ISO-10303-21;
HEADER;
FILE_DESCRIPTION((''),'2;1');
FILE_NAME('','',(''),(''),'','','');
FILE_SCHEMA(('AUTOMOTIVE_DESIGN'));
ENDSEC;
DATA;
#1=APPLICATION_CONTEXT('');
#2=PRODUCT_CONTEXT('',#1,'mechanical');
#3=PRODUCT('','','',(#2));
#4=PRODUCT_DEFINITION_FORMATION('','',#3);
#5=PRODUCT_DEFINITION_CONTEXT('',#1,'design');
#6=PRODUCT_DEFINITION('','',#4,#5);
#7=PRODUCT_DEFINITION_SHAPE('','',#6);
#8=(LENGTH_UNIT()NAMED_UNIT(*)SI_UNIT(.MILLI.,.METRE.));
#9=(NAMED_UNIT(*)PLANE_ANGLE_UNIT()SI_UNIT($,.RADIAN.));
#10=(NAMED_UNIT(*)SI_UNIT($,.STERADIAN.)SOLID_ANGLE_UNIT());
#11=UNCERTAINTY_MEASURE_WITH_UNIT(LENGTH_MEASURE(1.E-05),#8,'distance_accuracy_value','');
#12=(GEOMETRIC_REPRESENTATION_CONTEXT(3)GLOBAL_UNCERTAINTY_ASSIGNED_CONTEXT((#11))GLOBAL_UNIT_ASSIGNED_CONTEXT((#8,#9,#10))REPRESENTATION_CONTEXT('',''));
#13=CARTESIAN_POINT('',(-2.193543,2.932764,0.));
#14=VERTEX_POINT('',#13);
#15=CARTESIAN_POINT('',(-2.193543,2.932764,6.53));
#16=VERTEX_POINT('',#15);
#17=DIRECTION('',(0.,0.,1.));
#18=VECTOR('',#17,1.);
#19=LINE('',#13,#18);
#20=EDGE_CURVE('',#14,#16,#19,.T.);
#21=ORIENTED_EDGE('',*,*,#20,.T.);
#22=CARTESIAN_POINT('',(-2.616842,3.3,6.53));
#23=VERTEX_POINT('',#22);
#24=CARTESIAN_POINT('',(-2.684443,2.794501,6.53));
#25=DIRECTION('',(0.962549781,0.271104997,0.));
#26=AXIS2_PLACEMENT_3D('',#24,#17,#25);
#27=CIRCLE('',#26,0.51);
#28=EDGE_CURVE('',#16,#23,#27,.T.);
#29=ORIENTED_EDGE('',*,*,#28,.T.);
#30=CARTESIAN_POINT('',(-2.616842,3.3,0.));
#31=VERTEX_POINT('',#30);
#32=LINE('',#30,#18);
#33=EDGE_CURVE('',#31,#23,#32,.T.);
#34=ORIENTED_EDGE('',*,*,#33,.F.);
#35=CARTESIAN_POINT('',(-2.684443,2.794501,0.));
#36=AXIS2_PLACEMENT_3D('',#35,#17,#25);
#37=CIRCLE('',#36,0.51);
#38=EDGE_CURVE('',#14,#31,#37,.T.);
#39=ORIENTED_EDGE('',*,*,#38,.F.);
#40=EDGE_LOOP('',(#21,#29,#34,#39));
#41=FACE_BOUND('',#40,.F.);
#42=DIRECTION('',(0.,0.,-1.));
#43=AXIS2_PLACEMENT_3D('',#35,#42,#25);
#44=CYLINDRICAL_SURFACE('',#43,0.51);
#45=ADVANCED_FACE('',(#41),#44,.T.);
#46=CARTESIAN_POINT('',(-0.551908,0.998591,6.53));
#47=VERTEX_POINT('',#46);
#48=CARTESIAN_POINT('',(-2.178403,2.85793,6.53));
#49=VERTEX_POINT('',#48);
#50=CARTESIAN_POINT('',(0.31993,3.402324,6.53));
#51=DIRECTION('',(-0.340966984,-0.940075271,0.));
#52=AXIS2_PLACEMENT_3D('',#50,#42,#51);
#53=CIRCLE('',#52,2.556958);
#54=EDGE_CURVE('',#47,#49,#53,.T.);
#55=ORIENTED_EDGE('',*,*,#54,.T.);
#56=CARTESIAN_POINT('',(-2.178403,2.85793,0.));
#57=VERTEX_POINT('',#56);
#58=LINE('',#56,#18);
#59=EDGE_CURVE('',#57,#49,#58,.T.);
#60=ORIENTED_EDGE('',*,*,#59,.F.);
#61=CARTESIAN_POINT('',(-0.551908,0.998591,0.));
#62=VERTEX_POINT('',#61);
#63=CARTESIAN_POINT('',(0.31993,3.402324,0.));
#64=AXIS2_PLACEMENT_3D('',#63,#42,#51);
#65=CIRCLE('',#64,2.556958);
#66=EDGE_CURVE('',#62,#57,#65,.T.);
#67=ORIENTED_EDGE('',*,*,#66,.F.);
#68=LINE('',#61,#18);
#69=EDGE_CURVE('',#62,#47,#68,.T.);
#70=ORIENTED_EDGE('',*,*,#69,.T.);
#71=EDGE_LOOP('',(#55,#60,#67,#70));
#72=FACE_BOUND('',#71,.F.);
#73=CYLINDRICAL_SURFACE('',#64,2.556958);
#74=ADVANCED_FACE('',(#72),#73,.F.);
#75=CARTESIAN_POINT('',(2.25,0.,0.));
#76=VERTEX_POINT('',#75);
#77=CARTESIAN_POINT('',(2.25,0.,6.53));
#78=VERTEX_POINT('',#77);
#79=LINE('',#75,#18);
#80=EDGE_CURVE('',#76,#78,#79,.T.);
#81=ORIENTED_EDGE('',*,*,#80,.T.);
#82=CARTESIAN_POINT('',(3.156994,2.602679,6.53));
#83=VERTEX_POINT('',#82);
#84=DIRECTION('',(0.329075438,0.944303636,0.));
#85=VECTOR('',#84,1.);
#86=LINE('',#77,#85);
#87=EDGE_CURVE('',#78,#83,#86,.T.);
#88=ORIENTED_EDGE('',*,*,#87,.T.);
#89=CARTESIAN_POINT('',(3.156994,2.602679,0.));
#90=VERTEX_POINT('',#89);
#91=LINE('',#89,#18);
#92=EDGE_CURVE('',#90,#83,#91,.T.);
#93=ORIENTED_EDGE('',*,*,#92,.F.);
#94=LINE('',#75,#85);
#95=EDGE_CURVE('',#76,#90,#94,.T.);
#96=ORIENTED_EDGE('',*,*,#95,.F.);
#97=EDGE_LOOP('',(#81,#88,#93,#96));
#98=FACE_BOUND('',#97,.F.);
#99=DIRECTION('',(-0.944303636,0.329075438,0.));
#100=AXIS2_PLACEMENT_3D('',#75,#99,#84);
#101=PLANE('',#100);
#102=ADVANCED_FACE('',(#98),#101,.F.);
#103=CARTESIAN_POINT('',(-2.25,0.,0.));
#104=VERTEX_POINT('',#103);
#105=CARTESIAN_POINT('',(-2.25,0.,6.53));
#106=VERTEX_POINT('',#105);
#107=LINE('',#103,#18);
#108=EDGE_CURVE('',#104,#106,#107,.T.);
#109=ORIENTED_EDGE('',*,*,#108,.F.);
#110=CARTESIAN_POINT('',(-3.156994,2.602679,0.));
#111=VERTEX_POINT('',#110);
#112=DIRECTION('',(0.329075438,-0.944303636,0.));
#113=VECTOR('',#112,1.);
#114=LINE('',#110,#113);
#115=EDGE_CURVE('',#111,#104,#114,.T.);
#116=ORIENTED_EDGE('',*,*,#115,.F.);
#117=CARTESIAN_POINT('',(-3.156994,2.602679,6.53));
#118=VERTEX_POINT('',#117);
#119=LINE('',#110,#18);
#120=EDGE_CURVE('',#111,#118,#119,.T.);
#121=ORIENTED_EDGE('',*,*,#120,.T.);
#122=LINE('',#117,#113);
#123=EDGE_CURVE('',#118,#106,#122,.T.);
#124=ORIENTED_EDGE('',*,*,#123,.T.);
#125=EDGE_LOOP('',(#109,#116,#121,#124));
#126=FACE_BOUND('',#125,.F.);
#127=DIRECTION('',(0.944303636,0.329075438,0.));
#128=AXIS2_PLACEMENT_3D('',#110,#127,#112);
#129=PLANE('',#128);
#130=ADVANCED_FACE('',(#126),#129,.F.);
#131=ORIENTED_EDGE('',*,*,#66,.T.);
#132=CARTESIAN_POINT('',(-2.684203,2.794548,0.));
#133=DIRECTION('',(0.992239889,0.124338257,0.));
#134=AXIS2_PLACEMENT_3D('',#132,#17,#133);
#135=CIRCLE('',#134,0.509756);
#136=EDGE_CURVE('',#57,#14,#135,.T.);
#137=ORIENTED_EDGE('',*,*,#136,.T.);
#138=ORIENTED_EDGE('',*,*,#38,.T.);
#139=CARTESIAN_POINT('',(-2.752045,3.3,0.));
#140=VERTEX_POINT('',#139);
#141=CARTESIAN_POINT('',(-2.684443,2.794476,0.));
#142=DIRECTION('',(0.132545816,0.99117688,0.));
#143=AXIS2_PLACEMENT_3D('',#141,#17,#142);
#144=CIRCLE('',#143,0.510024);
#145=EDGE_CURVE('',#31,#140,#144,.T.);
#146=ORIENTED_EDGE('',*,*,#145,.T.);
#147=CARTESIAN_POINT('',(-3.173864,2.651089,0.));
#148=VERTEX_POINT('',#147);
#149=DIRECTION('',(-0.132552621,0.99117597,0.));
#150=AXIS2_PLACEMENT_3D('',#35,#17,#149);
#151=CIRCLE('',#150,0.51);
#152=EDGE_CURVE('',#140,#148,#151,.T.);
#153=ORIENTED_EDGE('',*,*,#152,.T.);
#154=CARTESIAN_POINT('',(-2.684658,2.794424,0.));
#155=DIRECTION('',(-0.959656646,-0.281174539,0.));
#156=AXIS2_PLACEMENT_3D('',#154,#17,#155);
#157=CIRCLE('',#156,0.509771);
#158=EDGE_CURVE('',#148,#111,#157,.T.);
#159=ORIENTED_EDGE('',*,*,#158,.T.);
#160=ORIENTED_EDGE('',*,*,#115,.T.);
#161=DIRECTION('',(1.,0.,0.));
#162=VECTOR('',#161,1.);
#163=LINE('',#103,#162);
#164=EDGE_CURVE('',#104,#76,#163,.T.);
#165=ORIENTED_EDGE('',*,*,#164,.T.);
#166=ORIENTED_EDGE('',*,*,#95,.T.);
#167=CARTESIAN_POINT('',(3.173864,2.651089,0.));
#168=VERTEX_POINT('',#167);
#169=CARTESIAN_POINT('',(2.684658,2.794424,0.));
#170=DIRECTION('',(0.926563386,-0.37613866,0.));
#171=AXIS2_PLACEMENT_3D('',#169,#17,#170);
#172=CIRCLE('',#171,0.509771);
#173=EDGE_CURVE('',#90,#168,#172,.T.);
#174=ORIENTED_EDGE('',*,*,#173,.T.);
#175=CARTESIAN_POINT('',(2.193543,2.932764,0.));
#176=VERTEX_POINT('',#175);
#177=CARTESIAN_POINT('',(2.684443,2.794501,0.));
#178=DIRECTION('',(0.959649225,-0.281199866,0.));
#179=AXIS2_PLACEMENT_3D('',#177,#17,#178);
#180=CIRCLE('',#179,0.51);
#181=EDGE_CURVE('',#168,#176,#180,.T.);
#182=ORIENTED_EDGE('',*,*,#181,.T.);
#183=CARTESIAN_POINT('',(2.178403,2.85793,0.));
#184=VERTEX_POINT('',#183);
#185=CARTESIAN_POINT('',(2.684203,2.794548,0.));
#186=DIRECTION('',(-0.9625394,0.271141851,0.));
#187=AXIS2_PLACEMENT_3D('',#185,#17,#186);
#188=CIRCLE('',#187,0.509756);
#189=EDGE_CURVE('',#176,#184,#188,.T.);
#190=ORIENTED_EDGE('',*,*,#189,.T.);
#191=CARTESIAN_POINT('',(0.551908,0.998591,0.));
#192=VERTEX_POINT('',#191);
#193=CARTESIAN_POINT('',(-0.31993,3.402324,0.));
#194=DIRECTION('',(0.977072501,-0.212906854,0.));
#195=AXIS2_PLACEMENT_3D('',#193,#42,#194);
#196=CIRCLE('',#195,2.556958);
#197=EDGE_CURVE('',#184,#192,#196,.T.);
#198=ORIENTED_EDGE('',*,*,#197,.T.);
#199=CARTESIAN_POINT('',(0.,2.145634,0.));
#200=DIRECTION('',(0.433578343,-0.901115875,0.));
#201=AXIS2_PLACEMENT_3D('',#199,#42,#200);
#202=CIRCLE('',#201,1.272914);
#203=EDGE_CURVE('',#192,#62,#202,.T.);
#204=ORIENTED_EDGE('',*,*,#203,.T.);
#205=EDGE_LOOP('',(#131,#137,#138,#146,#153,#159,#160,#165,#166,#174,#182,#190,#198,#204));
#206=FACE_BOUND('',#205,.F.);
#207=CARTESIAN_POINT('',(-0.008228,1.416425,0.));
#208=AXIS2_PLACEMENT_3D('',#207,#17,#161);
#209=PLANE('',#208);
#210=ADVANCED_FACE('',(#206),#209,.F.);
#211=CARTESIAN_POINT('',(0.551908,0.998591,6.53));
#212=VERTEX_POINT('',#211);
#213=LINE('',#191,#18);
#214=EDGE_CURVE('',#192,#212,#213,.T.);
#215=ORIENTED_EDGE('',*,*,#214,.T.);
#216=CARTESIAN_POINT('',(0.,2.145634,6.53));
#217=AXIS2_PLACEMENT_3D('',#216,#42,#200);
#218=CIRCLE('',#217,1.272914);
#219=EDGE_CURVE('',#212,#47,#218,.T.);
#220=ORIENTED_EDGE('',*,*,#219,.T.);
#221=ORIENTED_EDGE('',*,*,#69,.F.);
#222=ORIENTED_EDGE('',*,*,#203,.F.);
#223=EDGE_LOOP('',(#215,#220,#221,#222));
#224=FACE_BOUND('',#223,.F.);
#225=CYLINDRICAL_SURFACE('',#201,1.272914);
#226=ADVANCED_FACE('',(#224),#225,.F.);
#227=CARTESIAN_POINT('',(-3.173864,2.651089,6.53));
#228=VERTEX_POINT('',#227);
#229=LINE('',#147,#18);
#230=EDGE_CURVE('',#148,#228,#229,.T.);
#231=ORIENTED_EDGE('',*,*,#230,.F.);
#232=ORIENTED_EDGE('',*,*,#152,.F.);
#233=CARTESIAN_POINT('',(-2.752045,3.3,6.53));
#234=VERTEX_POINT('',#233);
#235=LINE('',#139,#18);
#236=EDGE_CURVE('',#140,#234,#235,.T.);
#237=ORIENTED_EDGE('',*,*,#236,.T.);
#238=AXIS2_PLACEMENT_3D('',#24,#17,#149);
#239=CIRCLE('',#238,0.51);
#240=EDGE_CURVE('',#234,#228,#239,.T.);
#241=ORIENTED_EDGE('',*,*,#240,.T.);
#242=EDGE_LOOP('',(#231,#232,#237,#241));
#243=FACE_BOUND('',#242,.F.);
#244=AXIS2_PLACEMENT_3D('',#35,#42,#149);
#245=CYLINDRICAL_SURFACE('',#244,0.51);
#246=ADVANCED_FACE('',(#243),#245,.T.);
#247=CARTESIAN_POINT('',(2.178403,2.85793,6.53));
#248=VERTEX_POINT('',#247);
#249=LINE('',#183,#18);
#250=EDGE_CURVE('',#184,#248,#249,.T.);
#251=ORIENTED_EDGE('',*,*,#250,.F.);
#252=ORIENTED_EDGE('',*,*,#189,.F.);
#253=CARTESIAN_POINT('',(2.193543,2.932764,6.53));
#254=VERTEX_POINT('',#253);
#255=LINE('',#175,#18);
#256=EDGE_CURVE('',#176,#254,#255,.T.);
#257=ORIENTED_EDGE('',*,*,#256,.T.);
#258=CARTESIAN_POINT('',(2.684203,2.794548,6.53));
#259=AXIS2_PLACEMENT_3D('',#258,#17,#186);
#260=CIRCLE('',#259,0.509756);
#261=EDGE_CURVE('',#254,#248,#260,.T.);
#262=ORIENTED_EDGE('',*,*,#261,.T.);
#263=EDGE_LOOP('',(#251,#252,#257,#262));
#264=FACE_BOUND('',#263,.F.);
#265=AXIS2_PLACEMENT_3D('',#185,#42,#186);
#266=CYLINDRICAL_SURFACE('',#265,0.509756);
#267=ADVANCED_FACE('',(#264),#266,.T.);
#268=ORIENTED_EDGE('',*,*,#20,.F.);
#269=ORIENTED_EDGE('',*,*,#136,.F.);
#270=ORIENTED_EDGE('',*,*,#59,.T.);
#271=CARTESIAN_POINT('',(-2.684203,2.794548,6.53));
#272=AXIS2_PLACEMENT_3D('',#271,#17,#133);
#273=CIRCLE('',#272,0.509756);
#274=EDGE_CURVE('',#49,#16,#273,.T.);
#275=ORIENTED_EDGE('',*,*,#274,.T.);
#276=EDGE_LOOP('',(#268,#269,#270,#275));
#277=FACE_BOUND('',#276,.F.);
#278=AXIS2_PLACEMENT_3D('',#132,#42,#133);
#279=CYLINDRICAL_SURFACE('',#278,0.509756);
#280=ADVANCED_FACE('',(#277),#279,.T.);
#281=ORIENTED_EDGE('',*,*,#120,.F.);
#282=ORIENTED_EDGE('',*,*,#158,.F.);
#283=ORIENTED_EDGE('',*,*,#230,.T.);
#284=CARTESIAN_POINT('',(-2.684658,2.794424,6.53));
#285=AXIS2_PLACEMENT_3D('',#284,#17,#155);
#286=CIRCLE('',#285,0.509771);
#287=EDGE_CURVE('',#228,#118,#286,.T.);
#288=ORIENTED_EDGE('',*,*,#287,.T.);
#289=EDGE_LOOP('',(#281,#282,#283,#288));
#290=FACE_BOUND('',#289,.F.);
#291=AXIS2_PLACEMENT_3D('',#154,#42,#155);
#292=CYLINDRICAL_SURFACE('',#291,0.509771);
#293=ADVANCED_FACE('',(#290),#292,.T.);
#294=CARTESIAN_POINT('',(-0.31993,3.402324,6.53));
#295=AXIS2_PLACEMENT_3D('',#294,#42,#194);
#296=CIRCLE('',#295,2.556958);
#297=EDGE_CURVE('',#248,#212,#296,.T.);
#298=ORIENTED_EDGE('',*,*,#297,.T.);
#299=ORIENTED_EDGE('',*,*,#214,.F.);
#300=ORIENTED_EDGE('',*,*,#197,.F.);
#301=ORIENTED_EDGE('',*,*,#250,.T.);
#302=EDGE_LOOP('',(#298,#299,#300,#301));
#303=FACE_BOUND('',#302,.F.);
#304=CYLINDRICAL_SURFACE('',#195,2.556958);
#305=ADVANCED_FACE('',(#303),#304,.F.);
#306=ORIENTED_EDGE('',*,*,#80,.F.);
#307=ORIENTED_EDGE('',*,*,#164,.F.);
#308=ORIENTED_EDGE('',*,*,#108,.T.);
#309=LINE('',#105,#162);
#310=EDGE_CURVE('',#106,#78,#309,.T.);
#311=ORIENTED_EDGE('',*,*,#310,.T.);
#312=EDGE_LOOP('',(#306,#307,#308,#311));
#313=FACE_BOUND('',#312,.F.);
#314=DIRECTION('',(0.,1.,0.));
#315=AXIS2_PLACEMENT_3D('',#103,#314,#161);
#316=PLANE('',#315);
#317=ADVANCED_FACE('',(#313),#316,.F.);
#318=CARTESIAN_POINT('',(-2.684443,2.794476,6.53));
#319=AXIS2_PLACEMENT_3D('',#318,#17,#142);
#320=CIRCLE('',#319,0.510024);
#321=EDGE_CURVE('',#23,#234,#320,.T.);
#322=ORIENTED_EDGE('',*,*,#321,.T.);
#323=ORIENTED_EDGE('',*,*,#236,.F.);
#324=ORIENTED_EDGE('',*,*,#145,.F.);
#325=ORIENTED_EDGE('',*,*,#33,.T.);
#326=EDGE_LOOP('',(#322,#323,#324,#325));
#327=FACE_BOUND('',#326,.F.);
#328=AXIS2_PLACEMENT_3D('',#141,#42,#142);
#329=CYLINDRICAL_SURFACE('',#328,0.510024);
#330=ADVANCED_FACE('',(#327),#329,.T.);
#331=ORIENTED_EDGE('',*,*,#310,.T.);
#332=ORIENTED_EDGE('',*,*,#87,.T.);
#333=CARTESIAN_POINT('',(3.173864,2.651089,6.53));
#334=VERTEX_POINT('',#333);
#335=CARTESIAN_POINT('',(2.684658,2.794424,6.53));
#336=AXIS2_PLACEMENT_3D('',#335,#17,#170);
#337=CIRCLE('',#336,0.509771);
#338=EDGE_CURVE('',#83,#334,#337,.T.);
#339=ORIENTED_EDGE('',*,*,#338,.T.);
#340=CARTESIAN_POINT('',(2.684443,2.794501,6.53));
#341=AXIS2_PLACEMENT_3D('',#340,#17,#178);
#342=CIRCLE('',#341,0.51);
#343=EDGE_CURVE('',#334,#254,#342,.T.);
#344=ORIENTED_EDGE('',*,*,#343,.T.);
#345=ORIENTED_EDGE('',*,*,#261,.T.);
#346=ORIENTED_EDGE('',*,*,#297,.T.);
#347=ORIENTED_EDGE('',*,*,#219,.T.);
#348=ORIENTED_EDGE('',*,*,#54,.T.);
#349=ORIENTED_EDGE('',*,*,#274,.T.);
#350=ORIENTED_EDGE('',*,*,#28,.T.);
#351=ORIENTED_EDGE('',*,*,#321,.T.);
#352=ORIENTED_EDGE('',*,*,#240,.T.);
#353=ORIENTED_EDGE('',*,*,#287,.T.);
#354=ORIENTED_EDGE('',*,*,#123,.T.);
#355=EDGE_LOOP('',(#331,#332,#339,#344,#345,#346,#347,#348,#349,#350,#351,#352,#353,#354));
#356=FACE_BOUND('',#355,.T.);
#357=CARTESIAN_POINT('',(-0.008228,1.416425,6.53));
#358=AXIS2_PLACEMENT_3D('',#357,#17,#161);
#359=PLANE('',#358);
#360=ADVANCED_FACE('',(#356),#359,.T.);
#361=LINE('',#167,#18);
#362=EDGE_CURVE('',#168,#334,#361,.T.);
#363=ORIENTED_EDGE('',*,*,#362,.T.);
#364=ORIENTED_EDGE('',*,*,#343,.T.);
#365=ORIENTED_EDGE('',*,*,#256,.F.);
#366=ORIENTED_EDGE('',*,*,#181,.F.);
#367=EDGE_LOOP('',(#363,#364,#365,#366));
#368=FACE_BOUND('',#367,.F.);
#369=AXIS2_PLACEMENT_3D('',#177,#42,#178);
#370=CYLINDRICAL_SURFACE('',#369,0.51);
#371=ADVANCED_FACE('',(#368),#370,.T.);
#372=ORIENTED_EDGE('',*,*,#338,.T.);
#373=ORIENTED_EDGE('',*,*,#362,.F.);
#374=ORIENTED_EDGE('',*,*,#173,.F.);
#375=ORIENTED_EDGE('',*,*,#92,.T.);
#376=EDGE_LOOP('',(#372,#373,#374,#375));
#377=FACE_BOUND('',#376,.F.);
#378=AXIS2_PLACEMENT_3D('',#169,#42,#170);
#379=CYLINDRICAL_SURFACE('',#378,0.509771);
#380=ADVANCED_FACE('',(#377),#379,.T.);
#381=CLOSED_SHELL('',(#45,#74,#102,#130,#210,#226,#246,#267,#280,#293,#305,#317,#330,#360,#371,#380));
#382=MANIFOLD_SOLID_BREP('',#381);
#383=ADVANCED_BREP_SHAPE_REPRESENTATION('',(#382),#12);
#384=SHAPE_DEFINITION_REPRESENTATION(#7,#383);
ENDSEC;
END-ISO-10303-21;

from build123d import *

# Parameters (mm, degrees)
F1_DEPTH = 6.53


with BuildPart() as f1:
    # F0 (on Top) → F1 (new body)
    with BuildSketch(Plane.XY):
        with BuildLine():
            Line((-2.25, 0), (0, 0))
            Line((0, 0), (2.25, 0))
            Line((2.25, 0), (3.156994, 2.602679))
            Line((3.156994, 2.602679), (3.173864, 2.651089))
            ThreePointArc((3.173864, 2.651089), (2.825283, 3.284668), (2.193543, 2.932764))
            ThreePointArc((2.193543, 2.932764), (2.186252, 2.895291), (2.178403, 2.85793))
            ThreePointArc((2.178403, 2.85793), (1.604596, 1.718806), (0.551908, 0.998591))
            ThreePointArc((0.551908, 0.998591), (0, 0.87272), (-0.551908, 0.998591))
            ThreePointArc((-0.551908, 0.998591), (-1.604596, 1.718806), (-2.178403, 2.85793))
            ThreePointArc((-2.178403, 2.85793), (-2.186252, 2.895291), (-2.193543, 2.932764))
            ThreePointArc((-2.193543, 2.932764), (-2.350233, 3.179732), (-2.616842, 3.3))
            Line((-2.616842, 3.3), (-2.752045, 3.3))
            ThreePointArc((-2.752045, 3.3), (-3.112041, 3.072457), (-3.173864, 2.651089))
            Line((-3.173864, 2.651089), (-3.156994, 2.602679))
            Line((-3.156994, 2.602679), (-2.25, 0))
        make_face()
        with BuildLine():
            ThreePointArc((-3.173864, 2.651089), (-3.166038, 2.626672), (-3.156994, 2.602679))
            Line((-3.156994, 2.602679), (-3.173864, 2.651089))
        make_face()
        with BuildLine():
            Line((3.173864, 2.651089), (3.156994, 2.602679))
            ThreePointArc((3.156994, 2.602679), (3.166038, 2.626672), (3.173864, 2.651089))
        make_face()
        with BuildLine():
            ThreePointArc((-2.616842, 3.3), (-2.684443, 3.3045), (-2.752045, 3.3))
            Line((-2.752045, 3.3), (-2.616842, 3.3))
        make_face()
        with BuildLine():
            ThreePointArc((2.178403, 2.85793), (2.186252, 2.895291), (2.193543, 2.932764))
            ThreePointArc((2.193543, 2.932764), (2.18457, 2.895631), (2.178403, 2.85793))
        make_face()
        with BuildLine():
            ThreePointArc((-2.178403, 2.85793), (-2.18457, 2.895631), (-2.193543, 2.932764))
            ThreePointArc((-2.193543, 2.932764), (-2.186252, 2.895291), (-2.178403, 2.85793))
        make_face()
    extrude(amount=F1_DEPTH)


solid = f1.part
